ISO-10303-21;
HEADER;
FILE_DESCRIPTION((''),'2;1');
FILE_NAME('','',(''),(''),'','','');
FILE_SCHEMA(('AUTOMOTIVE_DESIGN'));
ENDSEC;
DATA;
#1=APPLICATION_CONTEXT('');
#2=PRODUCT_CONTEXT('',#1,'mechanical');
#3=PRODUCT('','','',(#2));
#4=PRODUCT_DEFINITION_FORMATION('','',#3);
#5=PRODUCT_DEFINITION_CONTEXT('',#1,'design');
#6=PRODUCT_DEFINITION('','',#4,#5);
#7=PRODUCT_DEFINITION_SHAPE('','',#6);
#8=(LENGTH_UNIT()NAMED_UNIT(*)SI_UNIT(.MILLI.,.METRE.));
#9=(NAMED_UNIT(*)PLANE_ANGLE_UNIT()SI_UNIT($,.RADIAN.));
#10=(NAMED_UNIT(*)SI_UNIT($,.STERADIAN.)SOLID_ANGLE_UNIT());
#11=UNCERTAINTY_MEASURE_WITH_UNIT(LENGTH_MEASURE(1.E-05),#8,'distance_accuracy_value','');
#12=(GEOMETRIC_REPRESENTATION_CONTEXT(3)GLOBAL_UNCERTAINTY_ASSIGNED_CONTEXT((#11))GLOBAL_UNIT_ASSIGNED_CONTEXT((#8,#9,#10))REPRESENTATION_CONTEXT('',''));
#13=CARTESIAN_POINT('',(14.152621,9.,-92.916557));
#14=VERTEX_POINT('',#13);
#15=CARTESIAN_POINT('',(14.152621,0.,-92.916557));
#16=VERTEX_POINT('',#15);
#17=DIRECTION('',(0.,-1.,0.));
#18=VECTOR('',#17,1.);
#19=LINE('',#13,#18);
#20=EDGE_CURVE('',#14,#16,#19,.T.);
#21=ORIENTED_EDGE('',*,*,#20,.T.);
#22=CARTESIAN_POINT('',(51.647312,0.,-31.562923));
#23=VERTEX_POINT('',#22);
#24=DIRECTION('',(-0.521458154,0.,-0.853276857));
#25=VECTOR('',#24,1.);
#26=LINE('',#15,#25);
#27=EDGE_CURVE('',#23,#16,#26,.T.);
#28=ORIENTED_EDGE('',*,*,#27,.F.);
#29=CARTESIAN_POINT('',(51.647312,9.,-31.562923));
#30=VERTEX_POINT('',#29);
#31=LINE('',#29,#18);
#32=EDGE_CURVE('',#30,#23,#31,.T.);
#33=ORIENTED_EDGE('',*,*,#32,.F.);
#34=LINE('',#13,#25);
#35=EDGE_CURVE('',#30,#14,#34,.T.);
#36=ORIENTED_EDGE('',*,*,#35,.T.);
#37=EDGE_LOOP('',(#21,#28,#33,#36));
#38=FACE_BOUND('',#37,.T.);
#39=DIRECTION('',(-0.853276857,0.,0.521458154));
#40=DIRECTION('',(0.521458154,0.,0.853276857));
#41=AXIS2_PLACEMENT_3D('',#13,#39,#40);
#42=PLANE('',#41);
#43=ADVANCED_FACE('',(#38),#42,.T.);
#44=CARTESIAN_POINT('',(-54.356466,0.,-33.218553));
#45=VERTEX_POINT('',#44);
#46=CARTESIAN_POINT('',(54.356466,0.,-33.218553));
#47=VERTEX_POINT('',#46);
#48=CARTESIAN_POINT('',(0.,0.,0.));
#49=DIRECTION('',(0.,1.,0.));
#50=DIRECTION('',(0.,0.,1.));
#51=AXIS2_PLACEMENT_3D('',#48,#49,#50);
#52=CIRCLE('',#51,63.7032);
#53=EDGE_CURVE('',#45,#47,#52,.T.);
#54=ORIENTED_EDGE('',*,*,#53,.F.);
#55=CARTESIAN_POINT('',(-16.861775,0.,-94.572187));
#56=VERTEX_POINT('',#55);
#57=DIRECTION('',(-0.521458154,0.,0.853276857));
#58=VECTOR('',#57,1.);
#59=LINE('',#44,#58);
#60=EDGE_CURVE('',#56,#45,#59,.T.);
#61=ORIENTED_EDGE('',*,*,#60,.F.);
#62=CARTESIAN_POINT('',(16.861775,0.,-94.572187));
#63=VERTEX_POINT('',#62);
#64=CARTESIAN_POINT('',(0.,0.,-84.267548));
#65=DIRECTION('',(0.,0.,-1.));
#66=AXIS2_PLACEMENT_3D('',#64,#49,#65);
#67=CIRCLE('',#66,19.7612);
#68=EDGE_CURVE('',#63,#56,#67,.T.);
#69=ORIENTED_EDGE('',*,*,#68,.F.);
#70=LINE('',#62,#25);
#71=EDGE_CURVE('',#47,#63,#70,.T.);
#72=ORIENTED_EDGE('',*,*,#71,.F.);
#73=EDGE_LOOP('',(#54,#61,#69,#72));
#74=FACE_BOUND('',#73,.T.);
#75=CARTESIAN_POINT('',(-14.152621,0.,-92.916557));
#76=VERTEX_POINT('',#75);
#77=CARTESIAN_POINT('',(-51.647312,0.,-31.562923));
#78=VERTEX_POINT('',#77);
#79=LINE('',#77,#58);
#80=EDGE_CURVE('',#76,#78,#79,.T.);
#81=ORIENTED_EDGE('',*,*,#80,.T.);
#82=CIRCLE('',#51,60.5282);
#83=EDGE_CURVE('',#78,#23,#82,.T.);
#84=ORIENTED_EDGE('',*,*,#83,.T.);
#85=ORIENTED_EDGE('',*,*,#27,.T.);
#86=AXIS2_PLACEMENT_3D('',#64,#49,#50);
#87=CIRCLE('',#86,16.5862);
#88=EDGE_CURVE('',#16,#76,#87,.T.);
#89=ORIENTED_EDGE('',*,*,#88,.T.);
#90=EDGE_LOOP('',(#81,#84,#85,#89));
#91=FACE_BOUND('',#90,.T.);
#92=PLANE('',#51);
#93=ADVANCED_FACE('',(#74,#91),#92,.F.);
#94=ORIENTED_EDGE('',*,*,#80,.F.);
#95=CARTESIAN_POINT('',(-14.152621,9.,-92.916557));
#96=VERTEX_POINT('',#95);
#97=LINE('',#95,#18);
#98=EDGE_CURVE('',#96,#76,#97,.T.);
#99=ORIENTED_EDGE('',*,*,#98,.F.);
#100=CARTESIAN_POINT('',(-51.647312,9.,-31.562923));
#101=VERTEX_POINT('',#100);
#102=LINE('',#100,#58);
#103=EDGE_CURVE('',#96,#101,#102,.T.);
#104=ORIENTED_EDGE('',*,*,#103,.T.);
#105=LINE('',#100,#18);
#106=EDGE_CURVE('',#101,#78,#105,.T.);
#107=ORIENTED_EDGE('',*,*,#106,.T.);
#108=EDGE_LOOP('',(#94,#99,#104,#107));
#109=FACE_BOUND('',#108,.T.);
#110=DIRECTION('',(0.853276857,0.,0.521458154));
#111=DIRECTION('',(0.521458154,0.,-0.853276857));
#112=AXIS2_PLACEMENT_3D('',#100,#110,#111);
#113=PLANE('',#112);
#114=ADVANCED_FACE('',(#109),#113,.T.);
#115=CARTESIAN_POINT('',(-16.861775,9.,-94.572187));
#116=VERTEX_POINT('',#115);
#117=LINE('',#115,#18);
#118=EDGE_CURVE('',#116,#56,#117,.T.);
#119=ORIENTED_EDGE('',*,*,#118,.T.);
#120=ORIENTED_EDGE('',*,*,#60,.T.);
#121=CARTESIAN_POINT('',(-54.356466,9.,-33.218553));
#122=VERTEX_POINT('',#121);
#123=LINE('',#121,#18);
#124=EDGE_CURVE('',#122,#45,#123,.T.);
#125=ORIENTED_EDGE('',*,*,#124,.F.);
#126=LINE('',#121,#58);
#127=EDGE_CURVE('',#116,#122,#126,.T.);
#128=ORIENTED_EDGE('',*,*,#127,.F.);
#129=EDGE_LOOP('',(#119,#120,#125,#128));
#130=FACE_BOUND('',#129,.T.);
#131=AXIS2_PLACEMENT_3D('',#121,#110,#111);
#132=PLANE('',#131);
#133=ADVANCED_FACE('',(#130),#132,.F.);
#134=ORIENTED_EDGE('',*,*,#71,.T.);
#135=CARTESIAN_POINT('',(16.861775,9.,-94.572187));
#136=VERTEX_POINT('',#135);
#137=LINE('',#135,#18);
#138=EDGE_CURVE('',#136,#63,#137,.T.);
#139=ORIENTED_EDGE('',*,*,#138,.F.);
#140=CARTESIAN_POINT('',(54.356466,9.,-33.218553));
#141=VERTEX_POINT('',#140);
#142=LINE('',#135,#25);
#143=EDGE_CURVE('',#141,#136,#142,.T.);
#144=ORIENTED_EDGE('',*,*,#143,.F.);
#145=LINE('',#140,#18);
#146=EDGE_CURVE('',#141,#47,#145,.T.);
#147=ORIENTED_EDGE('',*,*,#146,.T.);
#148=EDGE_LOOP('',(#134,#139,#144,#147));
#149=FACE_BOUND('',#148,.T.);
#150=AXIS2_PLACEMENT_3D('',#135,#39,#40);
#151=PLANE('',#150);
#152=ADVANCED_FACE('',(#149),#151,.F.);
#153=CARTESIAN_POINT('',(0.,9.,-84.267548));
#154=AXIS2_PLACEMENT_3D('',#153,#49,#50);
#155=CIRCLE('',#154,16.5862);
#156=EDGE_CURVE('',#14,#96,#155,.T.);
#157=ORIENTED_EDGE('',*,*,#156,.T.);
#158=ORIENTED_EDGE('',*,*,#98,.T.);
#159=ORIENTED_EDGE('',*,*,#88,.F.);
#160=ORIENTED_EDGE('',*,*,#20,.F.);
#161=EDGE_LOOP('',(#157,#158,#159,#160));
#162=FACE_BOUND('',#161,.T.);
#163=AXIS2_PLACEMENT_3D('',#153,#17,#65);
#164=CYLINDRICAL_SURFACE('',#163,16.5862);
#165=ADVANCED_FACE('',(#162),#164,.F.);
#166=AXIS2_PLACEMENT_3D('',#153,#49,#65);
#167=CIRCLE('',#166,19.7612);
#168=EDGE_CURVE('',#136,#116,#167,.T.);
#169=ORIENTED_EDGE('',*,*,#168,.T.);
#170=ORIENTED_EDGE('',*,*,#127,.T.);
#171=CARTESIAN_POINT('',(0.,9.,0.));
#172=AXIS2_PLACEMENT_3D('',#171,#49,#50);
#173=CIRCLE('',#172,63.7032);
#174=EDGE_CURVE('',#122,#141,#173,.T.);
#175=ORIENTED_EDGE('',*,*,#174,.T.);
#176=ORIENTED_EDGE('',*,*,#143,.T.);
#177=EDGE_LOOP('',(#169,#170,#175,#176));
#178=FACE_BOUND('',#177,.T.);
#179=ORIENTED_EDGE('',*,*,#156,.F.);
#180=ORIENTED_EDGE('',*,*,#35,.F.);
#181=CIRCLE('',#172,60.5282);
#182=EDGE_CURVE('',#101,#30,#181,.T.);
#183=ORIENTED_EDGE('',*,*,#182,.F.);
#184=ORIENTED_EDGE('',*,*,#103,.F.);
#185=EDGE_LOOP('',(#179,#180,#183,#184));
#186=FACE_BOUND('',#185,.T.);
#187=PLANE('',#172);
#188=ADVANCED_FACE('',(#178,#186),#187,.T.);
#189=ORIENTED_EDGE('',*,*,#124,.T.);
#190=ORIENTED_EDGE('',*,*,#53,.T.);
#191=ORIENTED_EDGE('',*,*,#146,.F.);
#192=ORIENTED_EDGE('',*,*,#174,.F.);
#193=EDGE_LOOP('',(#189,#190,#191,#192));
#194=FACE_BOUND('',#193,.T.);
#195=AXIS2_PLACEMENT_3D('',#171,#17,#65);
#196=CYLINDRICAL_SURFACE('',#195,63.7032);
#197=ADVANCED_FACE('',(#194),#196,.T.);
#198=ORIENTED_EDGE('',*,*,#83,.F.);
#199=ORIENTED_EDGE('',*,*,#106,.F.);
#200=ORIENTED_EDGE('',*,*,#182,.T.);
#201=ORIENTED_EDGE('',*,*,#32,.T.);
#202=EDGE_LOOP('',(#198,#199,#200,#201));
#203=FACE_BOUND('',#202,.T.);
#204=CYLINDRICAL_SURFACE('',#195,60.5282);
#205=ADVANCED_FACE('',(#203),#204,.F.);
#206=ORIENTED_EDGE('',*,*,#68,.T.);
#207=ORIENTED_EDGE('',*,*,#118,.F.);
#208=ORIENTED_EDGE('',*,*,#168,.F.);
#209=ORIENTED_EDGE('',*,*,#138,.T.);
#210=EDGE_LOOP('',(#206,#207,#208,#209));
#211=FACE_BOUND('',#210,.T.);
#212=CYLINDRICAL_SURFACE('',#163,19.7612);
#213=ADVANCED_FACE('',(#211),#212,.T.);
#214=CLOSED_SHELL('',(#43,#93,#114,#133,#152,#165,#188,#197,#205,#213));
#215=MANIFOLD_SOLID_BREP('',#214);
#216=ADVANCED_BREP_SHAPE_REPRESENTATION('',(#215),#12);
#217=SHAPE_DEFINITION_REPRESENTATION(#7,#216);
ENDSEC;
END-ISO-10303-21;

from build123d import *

# Parameters (mm, degrees)
BOSS_EXTRUDE1_DEPTH = 9


with BuildPart() as part:
    # Sketch1 → Boss-Extrude1 (new body)
    with BuildSketch(Plane(origin=(0, 0, 0), x_dir=(1, 0, 0), z_dir=(0, 1, 0))):
        with BuildLine():
            Line((-54.356466247, 33.218553059), (-16.861774617, 94.572186868))
            ThreePointArc((-16.861774617, 94.572186868), (0, 104.028748), (16.861774617, 94.572186868))
            Line((16.861774617, 94.572186868), (54.356466247, 33.218553059))
            ThreePointArc((54.356466247, 33.218553059), (0, -63.7032), (-54.356466247, 33.218553059))
        make_face()
        with BuildLine():
            Line((-51.647312228, 31.562923421), (-14.152620598, 92.91655723))
            ThreePointArc((-14.152620598, 92.91655723), (0, 100.853748), (14.152620598, 92.91655723))
            Line((14.152620598, 92.91655723), (51.647312228, 31.562923421))
            ThreePointArc((51.647312228, 31.562923421), (0, -60.5282), (-51.647312228, 31.562923421))
        make_face(mode=Mode.SUBTRACT)
    extrude(amount=BOSS_EXTRUDE1_DEPTH)


solid = part.part
